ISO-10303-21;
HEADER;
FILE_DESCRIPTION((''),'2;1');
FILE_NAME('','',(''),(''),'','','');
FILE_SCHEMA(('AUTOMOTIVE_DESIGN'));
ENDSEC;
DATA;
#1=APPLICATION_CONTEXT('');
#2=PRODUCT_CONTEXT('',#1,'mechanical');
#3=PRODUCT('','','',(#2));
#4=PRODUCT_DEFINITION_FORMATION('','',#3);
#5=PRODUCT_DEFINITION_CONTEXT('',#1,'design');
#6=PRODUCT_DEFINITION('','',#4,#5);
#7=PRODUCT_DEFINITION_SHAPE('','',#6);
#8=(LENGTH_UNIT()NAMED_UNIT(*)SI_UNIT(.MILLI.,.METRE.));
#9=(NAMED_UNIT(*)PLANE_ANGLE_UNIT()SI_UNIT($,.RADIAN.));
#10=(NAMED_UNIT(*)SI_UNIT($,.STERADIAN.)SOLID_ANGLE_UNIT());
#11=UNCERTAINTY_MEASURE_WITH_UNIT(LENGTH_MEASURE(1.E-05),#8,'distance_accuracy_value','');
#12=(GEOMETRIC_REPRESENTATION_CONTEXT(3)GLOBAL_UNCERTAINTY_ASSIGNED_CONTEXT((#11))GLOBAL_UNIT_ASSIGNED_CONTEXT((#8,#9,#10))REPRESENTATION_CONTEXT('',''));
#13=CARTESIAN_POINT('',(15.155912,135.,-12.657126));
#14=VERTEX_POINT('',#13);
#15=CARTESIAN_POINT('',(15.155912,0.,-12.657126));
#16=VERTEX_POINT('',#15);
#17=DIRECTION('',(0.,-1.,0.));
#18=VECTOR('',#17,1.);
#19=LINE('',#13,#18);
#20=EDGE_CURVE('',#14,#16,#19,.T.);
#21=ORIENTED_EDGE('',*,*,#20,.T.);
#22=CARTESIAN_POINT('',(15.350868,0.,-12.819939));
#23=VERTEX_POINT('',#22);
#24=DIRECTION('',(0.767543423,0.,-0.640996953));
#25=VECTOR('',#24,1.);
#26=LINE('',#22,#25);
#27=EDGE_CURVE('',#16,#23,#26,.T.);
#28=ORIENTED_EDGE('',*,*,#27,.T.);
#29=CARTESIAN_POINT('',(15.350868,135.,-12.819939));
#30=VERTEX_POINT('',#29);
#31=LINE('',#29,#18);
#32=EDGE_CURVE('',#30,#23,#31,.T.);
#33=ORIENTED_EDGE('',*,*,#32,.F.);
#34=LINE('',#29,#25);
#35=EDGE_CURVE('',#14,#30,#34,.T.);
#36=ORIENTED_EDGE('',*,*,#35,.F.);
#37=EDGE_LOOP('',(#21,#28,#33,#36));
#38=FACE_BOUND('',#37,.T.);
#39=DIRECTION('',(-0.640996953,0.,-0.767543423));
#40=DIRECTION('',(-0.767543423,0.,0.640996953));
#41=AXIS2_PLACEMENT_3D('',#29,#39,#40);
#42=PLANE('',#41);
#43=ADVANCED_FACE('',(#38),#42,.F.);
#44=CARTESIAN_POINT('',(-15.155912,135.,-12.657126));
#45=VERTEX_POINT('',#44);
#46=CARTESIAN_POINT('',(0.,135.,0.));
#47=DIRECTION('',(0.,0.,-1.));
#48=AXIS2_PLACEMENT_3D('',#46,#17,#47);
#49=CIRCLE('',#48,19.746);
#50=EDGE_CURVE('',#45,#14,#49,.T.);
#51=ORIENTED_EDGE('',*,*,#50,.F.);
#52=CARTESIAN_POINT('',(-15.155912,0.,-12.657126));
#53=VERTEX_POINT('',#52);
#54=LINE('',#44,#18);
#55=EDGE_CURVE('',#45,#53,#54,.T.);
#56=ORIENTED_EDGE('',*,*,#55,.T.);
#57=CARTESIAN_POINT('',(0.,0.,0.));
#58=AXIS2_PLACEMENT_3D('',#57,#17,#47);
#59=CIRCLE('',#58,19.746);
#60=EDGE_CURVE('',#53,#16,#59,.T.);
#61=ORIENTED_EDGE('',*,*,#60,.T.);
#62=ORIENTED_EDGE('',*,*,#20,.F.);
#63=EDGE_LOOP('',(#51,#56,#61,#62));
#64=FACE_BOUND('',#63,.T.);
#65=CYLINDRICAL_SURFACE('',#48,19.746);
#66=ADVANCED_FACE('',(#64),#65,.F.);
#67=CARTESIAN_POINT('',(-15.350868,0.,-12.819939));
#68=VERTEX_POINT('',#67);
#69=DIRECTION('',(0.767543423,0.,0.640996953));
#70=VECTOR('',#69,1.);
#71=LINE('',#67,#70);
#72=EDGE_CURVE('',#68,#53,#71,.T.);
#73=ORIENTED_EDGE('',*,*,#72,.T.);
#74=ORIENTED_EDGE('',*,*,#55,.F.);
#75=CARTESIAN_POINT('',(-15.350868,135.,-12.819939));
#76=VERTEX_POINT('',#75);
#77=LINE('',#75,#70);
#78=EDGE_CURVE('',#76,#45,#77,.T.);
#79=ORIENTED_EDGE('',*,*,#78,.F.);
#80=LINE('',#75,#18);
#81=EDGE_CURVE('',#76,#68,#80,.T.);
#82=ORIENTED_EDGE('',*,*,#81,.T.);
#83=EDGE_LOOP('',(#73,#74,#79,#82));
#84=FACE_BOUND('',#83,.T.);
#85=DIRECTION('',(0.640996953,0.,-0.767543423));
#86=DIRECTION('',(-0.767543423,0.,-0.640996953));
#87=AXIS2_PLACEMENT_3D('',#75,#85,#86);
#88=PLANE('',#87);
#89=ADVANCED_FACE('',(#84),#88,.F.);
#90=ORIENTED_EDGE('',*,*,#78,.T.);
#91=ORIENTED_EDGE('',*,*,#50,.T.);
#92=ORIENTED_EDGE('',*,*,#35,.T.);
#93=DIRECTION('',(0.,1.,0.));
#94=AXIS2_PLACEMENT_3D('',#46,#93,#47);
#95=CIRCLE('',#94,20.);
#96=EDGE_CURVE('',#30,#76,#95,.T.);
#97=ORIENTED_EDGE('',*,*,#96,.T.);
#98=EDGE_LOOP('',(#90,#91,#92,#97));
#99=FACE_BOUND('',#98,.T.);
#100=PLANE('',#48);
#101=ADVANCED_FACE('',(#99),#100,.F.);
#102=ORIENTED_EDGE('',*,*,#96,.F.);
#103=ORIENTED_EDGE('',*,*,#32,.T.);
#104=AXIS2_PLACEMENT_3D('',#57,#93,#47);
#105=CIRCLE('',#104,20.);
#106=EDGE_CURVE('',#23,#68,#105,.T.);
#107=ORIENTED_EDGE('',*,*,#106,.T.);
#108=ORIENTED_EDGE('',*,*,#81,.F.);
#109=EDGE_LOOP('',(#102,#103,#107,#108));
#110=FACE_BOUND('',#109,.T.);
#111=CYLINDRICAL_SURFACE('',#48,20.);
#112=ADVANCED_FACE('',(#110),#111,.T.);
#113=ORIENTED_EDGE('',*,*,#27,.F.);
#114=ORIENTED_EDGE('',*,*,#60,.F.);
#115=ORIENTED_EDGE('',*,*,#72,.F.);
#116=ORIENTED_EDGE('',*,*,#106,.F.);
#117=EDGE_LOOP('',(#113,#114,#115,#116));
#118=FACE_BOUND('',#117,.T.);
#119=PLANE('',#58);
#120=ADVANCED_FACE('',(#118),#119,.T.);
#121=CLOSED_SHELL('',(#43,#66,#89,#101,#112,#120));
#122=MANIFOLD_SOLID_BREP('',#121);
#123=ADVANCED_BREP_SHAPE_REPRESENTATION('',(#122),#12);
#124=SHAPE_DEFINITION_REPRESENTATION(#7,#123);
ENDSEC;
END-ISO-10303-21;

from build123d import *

# Parameters (mm, degrees)
BOSS_EXTRUDE1_DEPTH = 135


with BuildPart() as part:
    # Sketch1 → Boss-Extrude1 (new body)
    with BuildSketch(Plane(origin=(0, 0, 0), x_dir=(1, 0, 0), z_dir=(0, 1, 0))):
        with BuildLine():
            Line((-15.350868462, 12.819939059), (-15.155912432, 12.657125832))
            ThreePointArc((-15.155912432, 12.657125832), (0, 19.746), (15.155912432, 12.657125832))
            Line((15.155912432, 12.657125832), (15.350868462, 12.819939059))
            ThreePointArc((15.350868462, 12.819939059), (0, 20), (-15.350868462, 12.819939059))
        make_face()
    extrude(amount=BOSS_EXTRUDE1_DEPTH)


solid = part.part
